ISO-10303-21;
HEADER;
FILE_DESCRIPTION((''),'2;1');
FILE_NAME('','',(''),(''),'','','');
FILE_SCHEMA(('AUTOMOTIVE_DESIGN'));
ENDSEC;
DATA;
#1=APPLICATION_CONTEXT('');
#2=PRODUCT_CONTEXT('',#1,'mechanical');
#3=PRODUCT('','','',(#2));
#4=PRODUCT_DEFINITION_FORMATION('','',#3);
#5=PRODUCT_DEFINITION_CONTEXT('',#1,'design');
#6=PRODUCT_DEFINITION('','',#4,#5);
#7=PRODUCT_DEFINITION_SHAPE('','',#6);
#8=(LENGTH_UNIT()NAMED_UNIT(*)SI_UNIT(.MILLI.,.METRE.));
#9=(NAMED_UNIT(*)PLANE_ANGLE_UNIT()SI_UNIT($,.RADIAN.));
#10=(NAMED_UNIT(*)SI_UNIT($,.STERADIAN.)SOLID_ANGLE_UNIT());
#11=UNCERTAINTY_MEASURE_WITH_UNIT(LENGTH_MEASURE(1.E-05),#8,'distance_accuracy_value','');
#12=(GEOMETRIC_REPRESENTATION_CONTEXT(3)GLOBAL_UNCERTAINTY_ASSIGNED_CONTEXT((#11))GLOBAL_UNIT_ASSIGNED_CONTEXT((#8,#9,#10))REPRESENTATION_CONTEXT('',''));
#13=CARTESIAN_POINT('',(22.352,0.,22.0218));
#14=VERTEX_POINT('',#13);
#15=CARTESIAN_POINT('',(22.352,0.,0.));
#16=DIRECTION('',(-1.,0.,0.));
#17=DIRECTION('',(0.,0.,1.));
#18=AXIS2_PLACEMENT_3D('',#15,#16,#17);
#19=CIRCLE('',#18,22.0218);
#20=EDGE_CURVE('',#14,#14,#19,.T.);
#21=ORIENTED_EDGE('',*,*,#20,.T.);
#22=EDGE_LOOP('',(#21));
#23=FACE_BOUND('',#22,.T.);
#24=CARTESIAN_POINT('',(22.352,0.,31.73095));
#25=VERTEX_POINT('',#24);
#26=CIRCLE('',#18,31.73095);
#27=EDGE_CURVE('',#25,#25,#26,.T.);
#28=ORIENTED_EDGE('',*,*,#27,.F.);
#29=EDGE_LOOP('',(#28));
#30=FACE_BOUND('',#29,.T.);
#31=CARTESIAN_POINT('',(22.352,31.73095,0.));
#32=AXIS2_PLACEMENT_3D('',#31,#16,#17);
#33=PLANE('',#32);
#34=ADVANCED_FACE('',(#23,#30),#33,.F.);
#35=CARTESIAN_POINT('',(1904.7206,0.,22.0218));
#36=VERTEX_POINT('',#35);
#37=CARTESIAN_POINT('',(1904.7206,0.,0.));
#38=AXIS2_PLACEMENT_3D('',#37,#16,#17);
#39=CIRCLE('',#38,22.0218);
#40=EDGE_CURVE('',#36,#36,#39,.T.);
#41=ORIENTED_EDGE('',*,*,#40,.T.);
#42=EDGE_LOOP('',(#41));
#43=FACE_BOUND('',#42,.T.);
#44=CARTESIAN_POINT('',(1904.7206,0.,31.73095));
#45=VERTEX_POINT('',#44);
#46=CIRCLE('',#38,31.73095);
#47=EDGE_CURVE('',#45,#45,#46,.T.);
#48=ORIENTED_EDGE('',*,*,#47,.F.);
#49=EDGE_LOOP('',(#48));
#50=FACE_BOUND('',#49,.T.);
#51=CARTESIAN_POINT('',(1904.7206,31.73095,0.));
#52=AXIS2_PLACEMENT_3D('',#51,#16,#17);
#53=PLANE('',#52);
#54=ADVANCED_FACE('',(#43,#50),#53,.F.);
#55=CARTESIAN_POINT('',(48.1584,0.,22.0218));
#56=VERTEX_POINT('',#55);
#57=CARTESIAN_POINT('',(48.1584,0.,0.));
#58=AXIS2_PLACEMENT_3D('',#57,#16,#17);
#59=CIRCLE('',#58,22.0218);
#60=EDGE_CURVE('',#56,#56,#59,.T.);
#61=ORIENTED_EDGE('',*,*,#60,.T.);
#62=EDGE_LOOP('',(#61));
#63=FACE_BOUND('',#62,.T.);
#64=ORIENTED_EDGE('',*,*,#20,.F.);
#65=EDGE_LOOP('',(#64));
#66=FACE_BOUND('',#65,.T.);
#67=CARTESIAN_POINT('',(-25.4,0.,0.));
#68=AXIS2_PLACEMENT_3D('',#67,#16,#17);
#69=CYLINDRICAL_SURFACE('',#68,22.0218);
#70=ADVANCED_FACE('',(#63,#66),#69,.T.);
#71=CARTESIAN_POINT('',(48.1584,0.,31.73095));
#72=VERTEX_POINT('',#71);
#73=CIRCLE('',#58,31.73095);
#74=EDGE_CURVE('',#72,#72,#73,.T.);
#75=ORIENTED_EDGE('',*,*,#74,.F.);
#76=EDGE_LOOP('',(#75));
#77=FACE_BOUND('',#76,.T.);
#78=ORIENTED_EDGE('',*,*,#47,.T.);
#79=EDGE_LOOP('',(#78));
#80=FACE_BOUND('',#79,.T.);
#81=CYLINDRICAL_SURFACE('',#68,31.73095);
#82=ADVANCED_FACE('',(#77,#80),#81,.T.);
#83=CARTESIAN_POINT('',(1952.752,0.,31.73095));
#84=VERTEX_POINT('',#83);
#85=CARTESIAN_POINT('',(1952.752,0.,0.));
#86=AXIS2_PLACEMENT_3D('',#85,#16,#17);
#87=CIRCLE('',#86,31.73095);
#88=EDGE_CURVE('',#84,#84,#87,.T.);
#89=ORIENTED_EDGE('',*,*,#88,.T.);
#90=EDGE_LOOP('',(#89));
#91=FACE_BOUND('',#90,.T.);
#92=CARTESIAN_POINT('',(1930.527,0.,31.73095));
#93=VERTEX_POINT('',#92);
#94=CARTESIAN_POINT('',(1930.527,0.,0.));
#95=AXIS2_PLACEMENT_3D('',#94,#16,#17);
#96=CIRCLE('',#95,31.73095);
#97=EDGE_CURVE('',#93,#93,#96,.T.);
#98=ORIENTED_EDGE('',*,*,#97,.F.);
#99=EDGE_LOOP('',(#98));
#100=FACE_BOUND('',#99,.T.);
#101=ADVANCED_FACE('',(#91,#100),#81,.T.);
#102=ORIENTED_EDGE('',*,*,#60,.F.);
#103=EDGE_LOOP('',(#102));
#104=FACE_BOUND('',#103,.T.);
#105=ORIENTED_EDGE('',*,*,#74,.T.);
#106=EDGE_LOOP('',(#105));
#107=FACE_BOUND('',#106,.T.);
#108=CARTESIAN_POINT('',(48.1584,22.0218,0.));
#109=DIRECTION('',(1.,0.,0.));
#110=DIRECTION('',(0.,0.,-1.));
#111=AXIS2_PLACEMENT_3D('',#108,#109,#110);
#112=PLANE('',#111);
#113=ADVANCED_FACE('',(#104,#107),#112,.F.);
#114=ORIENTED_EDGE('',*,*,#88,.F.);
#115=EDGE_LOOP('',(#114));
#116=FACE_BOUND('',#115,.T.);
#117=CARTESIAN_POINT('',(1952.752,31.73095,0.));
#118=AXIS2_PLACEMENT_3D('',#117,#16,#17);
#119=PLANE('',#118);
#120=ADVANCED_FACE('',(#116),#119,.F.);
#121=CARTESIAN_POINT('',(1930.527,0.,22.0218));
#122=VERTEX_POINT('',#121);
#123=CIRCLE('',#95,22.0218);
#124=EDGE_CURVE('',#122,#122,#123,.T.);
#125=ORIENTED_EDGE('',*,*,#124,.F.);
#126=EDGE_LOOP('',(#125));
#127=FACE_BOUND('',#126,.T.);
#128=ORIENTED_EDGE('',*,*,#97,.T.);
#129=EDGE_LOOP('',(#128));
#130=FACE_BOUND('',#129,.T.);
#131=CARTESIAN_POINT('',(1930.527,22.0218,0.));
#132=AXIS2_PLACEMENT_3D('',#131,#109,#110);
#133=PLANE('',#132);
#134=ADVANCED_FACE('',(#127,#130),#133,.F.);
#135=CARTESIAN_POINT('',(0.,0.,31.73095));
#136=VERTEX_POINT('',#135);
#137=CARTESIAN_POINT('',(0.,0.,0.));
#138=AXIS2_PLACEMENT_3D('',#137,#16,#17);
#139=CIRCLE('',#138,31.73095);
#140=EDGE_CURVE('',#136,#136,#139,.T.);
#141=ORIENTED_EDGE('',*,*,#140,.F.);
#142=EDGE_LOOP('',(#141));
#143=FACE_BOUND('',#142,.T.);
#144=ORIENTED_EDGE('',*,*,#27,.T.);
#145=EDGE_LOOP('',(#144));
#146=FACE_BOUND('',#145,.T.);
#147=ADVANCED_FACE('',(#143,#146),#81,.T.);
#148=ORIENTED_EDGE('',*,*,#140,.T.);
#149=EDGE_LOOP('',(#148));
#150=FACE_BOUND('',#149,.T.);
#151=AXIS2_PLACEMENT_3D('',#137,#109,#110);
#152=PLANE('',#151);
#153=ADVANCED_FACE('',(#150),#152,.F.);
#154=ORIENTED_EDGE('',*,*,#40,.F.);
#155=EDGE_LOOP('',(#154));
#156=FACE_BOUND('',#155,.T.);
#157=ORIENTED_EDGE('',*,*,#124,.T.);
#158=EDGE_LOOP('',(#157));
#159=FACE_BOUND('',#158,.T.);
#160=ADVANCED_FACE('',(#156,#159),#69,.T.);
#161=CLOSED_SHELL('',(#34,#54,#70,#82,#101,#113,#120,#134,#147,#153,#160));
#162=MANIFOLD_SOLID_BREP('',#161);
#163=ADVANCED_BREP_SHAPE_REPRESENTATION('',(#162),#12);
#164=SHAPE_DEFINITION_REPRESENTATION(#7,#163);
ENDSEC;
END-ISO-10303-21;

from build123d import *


with BuildPart() as part:
    # Sketch1 → Revolve1 (revolve)
    with BuildSketch(Plane(origin=(0, 0, 0), x_dir=(0, 1, 0), z_dir=(0, 0, 1)), mode=Mode.PRIVATE) as revolve1_sk:
        Polygon((0, 0), (31.73095, 0), (31.73095, -22.352), (22.0218, -22.352), (22.0218, -48.1584), (31.73095, -48.1584), (31.73095, -1904.7206), (22.0218, -1904.7206), (22.0218, -1930.527), (31.73095, -1930.527), (31.73095, -1952.752), (0, -1952.752), align=None)
    revolve(revolve1_sk.sketch.rotate(Axis((-25.4, 0, 0), (1, 0, 0)), 90), axis=Axis((-25.4, 0, 0), (1, 0, 0)))


solid = part.part
